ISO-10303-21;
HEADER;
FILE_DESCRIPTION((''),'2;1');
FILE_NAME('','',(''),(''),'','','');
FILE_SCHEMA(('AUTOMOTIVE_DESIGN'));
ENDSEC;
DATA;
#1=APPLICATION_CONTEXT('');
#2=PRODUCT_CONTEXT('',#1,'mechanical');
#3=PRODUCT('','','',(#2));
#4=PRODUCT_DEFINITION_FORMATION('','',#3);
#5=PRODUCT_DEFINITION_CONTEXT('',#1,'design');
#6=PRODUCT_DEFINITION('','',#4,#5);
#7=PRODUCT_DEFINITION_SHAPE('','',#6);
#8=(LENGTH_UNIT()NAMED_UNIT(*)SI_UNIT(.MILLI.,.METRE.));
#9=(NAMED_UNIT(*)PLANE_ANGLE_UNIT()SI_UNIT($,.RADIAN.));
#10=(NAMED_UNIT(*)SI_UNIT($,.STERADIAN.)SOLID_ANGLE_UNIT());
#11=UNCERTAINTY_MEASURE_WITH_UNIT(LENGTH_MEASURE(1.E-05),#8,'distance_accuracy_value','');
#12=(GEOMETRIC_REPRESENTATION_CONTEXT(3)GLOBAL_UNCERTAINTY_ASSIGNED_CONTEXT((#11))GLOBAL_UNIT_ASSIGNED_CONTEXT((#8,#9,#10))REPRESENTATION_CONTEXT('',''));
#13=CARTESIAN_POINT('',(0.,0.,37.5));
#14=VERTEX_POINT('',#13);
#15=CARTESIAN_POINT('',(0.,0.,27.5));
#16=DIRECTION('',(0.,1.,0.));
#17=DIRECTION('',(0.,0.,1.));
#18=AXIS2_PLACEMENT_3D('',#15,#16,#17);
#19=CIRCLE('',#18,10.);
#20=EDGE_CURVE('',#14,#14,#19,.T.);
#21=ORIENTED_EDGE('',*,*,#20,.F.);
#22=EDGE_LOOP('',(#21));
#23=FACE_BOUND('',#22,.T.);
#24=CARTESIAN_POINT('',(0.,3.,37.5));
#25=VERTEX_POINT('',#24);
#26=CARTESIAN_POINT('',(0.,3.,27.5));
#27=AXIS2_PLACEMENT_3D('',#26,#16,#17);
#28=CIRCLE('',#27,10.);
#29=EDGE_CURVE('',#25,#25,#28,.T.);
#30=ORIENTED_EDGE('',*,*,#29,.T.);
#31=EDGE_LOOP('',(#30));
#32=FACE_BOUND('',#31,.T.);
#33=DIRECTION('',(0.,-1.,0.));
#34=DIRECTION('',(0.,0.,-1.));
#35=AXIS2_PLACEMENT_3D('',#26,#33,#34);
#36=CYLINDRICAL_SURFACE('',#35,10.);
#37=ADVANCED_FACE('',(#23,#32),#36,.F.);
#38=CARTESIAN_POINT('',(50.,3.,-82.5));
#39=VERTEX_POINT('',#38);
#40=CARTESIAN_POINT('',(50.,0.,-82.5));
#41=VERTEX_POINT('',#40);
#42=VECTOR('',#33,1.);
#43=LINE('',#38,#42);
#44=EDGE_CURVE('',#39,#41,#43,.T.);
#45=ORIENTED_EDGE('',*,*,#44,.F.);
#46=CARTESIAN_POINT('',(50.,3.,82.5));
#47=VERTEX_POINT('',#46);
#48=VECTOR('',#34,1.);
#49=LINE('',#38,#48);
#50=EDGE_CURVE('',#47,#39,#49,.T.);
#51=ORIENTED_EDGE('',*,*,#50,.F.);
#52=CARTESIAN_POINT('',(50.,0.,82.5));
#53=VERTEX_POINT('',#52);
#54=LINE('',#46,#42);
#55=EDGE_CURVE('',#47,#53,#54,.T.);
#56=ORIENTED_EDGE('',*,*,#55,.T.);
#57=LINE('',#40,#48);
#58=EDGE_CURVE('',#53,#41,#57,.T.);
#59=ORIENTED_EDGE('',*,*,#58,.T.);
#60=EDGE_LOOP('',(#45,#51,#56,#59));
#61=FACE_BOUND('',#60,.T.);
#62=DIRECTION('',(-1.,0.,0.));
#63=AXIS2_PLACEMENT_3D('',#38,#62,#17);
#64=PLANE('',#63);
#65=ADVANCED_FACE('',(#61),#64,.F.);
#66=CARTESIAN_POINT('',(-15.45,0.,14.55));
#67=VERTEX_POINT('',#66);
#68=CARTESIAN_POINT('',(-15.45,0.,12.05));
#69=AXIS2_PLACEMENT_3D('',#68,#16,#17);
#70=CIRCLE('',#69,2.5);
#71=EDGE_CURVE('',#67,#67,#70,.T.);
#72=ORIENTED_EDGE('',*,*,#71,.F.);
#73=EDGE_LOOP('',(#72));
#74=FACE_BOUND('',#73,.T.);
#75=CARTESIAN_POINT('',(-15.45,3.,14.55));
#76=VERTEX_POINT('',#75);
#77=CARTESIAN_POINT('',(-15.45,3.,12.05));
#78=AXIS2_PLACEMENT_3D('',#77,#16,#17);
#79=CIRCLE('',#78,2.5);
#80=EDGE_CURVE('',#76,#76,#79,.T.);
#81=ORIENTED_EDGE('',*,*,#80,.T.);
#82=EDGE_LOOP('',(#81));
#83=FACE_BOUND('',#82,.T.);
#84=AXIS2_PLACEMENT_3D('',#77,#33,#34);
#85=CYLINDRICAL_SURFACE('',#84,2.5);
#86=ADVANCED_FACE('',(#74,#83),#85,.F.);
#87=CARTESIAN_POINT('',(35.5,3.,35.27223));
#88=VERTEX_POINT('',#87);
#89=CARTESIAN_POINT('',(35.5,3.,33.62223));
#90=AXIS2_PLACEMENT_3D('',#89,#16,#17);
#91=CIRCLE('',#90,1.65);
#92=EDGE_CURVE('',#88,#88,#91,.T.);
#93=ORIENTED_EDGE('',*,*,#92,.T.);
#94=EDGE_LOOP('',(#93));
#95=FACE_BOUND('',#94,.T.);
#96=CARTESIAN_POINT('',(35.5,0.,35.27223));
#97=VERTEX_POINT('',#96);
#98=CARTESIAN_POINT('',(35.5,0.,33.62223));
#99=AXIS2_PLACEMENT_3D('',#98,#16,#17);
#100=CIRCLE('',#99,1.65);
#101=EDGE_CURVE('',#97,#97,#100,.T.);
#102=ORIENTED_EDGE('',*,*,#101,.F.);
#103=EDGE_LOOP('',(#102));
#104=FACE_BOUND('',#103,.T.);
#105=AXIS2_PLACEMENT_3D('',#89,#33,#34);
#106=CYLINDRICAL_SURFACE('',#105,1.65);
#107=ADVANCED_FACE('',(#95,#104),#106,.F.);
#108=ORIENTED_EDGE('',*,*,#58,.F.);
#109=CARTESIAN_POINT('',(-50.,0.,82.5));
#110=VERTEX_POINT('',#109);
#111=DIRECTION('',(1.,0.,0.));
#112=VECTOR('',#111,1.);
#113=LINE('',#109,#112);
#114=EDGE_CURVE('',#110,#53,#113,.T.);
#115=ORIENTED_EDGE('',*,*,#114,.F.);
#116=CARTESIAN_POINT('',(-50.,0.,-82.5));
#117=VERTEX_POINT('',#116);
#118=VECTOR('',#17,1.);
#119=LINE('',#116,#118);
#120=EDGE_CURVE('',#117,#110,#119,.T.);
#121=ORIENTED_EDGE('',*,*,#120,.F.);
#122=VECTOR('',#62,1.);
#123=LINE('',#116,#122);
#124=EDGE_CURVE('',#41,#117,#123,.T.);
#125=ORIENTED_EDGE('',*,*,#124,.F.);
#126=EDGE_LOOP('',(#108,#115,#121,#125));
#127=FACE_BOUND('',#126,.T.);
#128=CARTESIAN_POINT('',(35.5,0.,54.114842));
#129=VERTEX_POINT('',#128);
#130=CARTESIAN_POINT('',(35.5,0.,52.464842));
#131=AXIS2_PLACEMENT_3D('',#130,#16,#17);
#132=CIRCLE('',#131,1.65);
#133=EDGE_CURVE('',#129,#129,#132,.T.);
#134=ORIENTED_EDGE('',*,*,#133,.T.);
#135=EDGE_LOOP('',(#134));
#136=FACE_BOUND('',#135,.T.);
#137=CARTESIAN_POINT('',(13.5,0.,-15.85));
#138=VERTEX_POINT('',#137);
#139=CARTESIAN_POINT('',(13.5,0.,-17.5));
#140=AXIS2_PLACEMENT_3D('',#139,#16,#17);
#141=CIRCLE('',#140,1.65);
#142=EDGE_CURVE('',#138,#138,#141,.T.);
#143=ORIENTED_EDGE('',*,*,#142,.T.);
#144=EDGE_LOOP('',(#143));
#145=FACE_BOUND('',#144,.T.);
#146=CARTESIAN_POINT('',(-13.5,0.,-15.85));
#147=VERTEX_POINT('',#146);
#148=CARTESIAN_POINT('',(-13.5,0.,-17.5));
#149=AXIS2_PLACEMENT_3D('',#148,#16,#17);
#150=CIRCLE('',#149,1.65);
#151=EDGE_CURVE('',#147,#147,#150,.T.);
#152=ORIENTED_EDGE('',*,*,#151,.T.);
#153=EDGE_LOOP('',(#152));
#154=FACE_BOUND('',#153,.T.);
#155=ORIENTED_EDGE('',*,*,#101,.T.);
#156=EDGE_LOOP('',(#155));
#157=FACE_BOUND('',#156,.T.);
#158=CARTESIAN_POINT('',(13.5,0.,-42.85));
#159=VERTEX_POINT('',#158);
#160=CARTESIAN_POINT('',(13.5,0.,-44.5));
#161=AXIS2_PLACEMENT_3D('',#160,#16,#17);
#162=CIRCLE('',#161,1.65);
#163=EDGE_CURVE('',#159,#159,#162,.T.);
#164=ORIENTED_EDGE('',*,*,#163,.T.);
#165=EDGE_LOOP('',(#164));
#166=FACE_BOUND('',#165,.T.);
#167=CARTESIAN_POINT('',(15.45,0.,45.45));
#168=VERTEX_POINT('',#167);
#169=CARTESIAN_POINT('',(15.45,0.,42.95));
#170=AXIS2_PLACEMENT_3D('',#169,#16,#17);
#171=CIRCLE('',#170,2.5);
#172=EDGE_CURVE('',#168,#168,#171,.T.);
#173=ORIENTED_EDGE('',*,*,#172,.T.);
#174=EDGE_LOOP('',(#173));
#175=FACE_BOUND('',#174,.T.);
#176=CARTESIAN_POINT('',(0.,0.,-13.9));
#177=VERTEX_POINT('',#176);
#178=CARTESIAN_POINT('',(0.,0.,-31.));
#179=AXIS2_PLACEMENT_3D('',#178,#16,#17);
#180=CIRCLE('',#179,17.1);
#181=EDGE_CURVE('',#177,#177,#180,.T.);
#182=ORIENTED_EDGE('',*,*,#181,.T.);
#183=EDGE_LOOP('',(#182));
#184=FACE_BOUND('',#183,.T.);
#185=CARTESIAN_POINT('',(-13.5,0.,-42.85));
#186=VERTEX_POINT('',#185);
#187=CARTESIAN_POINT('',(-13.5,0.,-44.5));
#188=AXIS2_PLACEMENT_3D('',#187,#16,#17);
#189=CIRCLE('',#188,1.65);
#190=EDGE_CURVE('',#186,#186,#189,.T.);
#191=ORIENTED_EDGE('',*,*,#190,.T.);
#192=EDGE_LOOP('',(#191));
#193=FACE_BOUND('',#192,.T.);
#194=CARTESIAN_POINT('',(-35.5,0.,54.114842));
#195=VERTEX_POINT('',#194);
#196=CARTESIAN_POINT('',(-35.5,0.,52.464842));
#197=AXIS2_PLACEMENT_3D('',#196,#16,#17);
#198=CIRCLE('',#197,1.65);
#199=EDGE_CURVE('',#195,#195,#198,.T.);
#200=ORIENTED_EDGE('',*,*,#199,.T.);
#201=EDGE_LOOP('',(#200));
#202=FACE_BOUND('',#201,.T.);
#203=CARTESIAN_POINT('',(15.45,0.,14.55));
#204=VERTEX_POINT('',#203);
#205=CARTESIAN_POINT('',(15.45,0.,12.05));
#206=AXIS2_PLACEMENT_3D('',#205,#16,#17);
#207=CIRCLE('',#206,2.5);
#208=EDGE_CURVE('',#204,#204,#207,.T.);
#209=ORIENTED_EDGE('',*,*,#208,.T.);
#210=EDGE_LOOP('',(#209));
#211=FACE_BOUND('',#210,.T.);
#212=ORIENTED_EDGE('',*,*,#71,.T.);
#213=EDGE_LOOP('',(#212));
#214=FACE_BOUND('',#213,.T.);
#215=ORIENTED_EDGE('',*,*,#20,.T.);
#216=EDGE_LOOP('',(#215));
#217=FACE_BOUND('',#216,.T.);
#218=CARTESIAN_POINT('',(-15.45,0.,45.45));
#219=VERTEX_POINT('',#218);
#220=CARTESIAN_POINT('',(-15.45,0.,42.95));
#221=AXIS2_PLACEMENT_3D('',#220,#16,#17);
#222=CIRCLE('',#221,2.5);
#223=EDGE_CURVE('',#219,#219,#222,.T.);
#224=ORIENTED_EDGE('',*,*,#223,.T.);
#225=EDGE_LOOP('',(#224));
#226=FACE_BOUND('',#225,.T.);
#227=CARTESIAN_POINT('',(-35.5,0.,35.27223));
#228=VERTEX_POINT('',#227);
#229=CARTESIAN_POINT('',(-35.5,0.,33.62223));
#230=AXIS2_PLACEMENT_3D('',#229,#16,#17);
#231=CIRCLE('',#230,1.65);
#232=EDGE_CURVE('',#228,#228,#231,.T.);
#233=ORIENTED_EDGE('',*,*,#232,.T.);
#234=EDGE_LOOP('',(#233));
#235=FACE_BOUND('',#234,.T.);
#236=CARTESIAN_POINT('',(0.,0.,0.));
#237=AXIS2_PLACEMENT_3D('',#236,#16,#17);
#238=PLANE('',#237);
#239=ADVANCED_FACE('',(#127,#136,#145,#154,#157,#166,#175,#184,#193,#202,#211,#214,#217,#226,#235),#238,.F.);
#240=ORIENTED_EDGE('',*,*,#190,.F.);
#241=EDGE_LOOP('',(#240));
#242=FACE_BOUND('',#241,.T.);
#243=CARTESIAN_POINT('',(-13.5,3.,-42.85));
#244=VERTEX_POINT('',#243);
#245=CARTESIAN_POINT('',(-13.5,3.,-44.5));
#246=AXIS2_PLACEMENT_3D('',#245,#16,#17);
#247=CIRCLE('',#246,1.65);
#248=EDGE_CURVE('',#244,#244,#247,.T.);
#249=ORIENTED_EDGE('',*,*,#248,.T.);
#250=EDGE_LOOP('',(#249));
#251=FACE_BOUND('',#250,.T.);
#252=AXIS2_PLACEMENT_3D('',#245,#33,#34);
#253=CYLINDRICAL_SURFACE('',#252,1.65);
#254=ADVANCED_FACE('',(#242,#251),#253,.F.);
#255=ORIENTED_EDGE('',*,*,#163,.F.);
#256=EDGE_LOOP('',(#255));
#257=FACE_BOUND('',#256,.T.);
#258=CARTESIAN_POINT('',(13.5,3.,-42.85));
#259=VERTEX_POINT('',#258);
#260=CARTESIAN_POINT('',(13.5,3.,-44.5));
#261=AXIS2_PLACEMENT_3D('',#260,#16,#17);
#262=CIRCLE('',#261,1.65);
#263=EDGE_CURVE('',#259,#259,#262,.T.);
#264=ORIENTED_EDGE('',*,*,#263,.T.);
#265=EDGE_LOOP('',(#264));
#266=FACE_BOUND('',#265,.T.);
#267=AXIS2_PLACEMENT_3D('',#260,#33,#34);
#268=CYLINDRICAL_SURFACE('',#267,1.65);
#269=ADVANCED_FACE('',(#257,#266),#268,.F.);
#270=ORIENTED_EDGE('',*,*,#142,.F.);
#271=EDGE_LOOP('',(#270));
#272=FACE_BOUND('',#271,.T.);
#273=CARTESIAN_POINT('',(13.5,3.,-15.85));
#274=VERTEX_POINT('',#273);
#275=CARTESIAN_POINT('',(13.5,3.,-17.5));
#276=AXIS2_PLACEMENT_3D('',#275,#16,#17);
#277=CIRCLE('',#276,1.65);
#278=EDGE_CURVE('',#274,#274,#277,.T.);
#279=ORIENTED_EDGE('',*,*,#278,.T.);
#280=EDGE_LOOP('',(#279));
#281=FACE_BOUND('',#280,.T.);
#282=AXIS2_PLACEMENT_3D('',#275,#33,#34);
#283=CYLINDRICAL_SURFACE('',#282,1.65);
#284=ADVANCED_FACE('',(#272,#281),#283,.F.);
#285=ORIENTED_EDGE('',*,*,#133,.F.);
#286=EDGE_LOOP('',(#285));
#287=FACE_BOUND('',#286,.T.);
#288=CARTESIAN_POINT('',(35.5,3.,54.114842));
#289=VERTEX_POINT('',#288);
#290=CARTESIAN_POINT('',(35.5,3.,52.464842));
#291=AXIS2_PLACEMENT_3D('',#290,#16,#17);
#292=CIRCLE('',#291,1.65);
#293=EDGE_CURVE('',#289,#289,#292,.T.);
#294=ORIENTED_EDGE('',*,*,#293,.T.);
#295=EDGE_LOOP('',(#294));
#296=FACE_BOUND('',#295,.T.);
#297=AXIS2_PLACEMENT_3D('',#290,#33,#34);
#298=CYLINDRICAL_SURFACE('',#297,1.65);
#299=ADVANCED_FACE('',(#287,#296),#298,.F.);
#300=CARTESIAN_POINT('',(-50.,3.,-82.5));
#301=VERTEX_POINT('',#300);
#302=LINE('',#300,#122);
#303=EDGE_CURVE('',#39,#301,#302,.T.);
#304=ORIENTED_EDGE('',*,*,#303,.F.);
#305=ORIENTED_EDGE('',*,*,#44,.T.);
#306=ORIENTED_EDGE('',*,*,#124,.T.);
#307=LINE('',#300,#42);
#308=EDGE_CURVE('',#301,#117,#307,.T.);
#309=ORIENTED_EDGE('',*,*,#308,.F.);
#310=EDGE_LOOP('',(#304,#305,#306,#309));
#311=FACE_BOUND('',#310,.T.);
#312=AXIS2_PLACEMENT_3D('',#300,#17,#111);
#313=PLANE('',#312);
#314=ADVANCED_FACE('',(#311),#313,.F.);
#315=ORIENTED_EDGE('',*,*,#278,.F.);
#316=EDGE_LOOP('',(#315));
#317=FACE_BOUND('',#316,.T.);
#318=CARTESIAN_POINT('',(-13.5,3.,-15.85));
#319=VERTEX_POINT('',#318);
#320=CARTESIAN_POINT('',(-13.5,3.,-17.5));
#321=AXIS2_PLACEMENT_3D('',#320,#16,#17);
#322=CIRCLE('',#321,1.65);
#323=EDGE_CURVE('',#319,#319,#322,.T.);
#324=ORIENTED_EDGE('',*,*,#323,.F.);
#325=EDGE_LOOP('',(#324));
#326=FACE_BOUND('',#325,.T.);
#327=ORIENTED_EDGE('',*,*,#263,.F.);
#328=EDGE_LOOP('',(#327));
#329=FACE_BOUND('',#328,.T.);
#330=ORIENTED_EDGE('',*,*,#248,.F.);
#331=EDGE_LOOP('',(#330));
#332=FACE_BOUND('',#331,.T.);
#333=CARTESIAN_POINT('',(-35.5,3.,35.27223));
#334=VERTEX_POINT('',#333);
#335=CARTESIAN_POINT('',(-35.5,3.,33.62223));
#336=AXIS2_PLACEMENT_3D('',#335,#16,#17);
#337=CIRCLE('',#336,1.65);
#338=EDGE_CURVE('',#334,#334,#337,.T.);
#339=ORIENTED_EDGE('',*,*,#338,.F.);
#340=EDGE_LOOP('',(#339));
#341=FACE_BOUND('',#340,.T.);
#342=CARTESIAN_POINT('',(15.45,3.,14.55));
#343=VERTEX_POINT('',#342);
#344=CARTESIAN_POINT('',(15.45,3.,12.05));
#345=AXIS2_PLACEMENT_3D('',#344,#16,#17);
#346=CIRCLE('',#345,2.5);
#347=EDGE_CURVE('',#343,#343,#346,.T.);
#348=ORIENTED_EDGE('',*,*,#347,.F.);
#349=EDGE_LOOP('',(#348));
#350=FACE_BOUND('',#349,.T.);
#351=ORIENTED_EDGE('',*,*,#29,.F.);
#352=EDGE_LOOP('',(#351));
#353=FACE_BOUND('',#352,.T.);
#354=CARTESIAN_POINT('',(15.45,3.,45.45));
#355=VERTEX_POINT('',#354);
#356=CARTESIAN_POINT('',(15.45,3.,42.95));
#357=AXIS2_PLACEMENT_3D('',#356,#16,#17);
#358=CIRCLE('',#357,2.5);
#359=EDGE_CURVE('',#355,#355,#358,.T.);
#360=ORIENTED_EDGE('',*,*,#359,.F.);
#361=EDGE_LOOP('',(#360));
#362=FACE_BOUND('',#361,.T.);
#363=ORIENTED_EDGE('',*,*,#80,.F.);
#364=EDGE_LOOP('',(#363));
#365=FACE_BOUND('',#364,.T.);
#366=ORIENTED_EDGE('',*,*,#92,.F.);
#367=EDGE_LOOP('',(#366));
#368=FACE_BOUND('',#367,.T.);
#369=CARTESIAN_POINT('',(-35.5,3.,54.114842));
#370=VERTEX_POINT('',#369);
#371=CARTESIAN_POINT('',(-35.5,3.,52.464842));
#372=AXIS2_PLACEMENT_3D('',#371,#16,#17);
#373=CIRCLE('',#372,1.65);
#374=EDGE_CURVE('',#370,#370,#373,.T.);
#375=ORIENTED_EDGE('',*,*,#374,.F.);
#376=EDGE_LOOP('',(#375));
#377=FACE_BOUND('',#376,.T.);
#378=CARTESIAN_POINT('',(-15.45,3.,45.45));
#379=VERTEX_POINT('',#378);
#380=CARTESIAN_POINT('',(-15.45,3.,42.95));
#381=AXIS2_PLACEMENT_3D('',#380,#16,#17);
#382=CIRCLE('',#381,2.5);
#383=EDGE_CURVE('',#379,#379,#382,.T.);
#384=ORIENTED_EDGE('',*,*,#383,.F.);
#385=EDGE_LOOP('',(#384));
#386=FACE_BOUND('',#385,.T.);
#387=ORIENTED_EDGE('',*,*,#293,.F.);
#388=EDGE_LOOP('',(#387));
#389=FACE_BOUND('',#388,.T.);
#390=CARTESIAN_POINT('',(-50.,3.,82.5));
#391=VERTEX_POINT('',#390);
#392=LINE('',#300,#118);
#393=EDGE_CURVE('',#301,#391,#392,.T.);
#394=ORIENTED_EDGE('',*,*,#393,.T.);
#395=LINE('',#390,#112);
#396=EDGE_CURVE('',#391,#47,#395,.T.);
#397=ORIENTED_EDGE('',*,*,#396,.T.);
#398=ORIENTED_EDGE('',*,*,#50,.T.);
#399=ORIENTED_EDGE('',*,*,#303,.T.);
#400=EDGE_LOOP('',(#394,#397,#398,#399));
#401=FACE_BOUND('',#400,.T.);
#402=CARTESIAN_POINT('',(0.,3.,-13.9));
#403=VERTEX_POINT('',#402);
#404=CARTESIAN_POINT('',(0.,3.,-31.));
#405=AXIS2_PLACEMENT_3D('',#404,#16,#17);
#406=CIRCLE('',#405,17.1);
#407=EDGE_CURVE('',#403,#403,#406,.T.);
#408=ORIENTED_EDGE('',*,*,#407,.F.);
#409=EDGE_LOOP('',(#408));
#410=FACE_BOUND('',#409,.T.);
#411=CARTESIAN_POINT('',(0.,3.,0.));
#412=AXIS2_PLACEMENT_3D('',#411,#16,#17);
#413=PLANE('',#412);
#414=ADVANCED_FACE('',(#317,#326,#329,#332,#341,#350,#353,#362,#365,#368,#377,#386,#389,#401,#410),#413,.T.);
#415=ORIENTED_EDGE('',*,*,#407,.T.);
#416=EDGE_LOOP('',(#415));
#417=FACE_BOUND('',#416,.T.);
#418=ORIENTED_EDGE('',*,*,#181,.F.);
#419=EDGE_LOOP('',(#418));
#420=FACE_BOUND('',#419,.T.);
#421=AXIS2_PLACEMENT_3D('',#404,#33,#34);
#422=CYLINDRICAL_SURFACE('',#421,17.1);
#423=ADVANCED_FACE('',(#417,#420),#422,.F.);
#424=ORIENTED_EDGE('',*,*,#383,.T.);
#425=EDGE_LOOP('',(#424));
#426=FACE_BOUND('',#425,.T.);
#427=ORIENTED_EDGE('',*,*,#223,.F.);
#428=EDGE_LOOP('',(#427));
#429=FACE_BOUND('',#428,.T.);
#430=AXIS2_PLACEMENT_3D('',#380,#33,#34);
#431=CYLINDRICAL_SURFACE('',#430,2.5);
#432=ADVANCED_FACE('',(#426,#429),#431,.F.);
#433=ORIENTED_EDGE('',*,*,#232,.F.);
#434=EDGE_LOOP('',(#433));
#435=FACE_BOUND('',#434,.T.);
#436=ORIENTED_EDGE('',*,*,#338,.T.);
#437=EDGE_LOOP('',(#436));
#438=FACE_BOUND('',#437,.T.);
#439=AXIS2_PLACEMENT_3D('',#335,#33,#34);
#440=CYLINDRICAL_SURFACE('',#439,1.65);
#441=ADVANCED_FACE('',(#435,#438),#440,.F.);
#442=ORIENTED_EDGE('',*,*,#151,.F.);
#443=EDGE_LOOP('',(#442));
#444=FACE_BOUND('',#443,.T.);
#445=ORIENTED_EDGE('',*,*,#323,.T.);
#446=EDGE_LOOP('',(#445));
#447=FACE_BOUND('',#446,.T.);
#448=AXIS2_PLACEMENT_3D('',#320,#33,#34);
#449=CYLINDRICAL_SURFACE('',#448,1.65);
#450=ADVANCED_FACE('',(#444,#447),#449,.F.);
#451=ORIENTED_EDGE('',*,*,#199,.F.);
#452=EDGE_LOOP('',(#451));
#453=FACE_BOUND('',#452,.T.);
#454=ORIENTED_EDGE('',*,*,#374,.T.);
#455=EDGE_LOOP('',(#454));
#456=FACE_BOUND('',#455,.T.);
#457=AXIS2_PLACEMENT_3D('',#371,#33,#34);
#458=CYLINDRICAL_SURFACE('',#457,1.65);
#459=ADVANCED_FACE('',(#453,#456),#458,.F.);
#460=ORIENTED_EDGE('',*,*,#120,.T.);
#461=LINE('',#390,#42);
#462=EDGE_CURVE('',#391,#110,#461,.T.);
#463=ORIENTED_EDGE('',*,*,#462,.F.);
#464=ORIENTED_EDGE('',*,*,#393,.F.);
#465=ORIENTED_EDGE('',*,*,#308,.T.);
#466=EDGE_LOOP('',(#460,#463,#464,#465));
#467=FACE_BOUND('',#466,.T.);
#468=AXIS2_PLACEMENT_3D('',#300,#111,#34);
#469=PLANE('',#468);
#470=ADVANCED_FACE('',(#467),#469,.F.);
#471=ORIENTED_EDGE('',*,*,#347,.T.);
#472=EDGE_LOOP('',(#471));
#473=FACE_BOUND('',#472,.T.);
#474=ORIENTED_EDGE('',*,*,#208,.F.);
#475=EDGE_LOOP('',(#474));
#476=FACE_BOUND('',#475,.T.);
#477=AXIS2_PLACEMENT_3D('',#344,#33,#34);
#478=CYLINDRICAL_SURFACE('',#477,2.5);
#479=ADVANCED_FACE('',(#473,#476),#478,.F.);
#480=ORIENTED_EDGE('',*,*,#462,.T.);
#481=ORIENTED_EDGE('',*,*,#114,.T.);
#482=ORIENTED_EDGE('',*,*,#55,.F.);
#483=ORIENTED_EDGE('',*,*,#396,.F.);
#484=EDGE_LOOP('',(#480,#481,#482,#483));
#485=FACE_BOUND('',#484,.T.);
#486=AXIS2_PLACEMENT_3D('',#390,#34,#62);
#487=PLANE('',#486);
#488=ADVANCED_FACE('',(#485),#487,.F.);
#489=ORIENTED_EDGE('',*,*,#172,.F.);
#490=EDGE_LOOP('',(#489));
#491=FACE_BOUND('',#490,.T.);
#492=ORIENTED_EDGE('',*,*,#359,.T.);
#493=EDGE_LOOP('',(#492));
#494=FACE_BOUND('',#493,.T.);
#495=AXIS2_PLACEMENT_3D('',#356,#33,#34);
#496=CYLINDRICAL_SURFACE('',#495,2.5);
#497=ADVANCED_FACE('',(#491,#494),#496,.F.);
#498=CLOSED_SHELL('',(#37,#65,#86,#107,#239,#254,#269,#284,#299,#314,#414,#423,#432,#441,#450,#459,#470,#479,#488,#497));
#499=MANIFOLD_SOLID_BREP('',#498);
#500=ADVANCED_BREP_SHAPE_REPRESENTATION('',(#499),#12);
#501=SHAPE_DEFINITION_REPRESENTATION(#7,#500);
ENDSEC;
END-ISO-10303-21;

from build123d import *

# Parameters (mm, degrees)
CROQUIS1_W              = 100
CROQUIS1_H              = 165
CROQUIS1_R              = 10
CROQUIS1_R_2            = 17.1
CROQUIS1_R_3            = 2.5
CROQUIS1_R_4            = 1.65
SALIENTE_EXTRUIR1_DEPTH = 3


with BuildPart() as part:
    # Croquis1 → Saliente-Extruir1 (new body)
    with BuildSketch(Plane(origin=(0, 0, 0), x_dir=(1, 0, 0), z_dir=(0, 1, 0))):
        Rectangle(CROQUIS1_W, CROQUIS1_H)
        with Locations((0, -27.5)):
            Circle(CROQUIS1_R, mode=Mode.SUBTRACT)
        with Locations((0, 31)):
            Circle(CROQUIS1_R_2, mode=Mode.SUBTRACT)
        with Locations((-15.45, -42.95)):
            Circle(CROQUIS1_R_3, mode=Mode.SUBTRACT)
        with Locations((15.45, -42.95)):
            Circle(CROQUIS1_R_3, mode=Mode.SUBTRACT)
        with Locations((15.45, -12.05)):
            Circle(CROQUIS1_R_3, mode=Mode.SUBTRACT)
        with Locations((-15.45, -12.05)):
            Circle(CROQUIS1_R_3, mode=Mode.SUBTRACT)
        with Locations((-13.5, 17.5)):
            Circle(CROQUIS1_R_4, mode=Mode.SUBTRACT)
        with Locations((13.5, 17.5)):
            Circle(CROQUIS1_R_4, mode=Mode.SUBTRACT)
        with Locations((13.5, 44.5)):
            Circle(CROQUIS1_R_4, mode=Mode.SUBTRACT)
        with Locations((-13.5, 44.5)):
            Circle(CROQUIS1_R_4, mode=Mode.SUBTRACT)
        with Locations((35.5, -33.62222969)):
            Circle(CROQUIS1_R_4, mode=Mode.SUBTRACT)
        with Locations((35.5, -52.464842185)):
            Circle(CROQUIS1_R_4, mode=Mode.SUBTRACT)
        with Locations((-35.5, -52.464842185)):
            Circle(CROQUIS1_R_4, mode=Mode.SUBTRACT)
        with Locations((-35.5, -33.62222969)):
            Circle(CROQUIS1_R_4, mode=Mode.SUBTRACT)
    extrude(amount=SALIENTE_EXTRUIR1_DEPTH)


solid = part.part
